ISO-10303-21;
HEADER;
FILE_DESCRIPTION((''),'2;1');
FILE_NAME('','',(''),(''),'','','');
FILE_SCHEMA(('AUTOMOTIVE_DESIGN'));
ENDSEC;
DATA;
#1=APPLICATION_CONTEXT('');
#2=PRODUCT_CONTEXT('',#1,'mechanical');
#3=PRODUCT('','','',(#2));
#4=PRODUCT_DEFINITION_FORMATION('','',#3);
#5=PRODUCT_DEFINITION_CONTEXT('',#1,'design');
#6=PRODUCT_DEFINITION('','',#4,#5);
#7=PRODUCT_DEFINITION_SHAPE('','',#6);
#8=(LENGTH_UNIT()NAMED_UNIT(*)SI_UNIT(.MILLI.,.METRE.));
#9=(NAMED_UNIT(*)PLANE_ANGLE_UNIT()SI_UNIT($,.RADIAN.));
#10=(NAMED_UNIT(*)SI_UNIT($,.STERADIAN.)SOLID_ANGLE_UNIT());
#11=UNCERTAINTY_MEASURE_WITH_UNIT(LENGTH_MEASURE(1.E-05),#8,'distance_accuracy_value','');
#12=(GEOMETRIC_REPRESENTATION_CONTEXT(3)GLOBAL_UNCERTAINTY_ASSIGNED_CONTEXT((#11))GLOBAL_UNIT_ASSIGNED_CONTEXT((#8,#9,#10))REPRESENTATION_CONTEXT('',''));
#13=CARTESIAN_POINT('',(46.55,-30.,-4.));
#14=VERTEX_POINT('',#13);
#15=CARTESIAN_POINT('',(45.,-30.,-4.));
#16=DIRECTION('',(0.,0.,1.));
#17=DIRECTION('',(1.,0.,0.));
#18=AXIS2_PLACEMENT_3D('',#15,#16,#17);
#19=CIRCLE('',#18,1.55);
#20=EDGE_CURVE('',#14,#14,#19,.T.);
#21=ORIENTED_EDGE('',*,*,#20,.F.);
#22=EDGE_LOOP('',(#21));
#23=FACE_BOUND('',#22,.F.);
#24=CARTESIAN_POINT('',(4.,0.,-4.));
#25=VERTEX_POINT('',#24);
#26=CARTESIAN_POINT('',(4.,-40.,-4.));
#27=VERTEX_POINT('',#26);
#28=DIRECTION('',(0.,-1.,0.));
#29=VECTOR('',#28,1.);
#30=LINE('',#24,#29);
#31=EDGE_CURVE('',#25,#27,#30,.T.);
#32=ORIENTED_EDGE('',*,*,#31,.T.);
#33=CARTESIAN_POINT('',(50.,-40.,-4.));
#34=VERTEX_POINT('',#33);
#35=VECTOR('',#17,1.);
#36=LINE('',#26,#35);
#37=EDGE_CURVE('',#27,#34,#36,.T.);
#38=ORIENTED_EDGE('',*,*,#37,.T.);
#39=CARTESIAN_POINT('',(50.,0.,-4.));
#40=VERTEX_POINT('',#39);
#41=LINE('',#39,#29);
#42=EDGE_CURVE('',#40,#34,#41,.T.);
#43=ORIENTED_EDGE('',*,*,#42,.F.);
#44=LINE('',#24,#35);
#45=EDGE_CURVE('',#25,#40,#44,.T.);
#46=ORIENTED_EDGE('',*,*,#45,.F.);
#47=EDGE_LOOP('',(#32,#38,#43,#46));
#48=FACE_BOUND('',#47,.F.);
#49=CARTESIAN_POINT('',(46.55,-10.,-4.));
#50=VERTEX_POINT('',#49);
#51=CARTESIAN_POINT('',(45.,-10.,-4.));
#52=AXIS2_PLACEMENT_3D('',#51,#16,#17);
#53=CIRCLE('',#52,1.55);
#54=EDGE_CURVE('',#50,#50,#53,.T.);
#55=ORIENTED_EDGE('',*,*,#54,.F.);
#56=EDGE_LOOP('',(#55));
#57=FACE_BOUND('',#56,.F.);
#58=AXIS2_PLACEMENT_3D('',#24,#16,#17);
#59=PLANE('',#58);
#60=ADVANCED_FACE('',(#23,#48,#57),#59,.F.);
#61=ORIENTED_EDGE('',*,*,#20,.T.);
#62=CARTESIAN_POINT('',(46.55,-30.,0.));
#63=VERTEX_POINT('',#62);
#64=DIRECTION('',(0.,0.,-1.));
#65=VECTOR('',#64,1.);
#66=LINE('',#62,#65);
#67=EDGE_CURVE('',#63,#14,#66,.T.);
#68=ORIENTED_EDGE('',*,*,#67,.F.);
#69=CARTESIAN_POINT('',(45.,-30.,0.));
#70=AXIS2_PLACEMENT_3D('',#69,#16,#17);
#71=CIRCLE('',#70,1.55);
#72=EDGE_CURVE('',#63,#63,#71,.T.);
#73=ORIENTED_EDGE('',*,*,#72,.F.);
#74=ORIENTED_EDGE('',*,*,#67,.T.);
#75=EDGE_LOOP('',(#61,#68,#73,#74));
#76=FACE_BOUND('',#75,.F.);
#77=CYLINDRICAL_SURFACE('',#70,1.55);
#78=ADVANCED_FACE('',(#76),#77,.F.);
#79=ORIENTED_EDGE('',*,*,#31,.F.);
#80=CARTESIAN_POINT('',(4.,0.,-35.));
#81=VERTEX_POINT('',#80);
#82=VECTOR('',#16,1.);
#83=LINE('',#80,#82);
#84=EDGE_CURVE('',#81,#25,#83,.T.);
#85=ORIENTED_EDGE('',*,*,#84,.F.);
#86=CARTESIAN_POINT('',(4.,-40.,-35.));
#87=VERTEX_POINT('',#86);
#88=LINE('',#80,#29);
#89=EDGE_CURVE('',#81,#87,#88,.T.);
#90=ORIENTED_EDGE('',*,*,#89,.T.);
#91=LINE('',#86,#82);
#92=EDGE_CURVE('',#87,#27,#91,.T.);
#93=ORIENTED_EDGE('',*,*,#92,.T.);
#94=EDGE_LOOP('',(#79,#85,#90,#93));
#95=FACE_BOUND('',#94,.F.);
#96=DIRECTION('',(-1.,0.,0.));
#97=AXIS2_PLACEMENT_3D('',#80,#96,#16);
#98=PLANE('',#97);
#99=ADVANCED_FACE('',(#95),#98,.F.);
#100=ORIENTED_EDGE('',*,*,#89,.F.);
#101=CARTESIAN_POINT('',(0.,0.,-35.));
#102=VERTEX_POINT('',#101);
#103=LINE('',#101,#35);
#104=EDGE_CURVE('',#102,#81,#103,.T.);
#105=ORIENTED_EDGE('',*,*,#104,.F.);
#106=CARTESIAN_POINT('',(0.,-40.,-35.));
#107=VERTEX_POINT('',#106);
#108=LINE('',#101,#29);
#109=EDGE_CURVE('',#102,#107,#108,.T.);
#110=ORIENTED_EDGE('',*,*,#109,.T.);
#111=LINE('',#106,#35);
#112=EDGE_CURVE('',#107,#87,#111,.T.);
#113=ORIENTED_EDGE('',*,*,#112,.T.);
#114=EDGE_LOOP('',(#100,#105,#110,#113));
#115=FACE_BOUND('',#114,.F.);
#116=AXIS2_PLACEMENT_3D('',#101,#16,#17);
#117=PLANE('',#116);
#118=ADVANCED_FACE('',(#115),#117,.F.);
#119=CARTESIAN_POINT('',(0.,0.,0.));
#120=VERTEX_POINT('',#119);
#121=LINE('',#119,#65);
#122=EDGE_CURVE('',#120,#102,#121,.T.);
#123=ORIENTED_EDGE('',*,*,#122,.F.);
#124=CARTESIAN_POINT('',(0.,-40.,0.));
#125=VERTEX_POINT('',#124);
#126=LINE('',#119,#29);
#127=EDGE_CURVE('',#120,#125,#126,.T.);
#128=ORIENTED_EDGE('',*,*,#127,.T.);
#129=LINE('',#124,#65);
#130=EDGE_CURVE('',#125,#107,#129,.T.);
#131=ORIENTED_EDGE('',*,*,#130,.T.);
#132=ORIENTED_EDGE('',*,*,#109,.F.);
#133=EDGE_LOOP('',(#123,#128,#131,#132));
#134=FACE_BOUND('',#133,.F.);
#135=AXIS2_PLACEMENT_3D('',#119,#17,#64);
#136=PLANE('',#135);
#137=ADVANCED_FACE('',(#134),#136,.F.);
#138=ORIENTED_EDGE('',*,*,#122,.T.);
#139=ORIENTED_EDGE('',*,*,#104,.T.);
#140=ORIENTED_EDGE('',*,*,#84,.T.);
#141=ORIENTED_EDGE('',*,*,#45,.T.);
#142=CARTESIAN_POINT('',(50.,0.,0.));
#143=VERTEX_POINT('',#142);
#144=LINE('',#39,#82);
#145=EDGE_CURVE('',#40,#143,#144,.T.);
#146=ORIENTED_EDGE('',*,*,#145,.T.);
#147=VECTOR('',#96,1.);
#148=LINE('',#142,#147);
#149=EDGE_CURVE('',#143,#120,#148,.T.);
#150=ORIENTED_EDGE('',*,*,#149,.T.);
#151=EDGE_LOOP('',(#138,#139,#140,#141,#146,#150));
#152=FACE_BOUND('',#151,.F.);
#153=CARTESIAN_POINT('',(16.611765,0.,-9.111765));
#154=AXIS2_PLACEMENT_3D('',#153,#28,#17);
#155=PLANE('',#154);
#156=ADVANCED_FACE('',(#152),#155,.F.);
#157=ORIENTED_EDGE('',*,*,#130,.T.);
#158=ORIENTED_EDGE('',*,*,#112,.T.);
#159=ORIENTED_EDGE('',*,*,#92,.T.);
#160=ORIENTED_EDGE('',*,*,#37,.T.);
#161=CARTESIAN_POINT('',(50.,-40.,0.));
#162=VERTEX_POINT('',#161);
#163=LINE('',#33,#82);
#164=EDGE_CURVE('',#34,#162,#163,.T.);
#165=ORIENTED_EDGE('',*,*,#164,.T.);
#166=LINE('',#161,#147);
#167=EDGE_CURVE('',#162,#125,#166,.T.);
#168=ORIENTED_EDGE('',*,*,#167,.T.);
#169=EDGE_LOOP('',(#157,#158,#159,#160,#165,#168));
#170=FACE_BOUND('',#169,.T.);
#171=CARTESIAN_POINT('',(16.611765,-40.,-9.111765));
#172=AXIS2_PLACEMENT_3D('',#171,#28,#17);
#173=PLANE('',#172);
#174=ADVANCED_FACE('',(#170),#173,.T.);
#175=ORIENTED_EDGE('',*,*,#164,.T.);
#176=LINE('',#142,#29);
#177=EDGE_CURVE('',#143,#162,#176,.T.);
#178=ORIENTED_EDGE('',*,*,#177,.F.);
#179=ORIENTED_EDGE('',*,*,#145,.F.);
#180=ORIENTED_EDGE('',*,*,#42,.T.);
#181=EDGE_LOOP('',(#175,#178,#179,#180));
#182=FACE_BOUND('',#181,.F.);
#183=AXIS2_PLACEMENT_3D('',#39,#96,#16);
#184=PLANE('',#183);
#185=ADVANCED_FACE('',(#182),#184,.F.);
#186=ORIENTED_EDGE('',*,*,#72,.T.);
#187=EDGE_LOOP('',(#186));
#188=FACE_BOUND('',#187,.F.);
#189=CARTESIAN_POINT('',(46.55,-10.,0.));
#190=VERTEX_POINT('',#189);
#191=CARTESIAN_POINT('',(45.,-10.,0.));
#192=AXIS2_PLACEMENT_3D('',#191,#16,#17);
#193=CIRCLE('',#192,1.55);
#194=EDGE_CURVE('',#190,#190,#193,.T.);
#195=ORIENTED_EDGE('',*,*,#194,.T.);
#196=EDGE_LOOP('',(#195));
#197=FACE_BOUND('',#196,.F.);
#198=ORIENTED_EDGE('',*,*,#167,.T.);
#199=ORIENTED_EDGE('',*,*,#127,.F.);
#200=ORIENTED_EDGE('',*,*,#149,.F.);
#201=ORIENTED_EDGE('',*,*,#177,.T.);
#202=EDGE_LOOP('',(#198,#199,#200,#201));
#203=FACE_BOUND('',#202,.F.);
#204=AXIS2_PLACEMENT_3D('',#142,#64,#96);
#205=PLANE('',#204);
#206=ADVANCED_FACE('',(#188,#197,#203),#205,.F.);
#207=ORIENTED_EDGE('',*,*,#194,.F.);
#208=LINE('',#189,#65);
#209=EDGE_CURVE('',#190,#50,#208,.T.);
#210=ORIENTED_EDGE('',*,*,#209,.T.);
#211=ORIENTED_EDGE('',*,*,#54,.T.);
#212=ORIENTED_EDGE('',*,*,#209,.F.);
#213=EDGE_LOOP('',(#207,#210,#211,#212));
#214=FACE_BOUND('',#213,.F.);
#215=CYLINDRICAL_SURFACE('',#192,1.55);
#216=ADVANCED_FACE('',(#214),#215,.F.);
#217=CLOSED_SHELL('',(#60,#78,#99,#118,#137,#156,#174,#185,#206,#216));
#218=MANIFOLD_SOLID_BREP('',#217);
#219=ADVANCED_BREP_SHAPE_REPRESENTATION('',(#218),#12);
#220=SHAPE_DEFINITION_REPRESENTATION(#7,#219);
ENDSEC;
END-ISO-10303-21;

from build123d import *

# Parameters (mm, degrees)
F1_DEPTH = 40
F2_R     = 1.55
F3_DEPTH = 4


with BuildPart() as f1:
    # F0 (on Front) → F1 (new body)
    with BuildSketch(Plane.XZ):
        Polygon((50, 0), (0, 0), (0, -35), (4, -35), (4, -4), (50, -4), align=None)
    extrude(amount=F1_DEPTH)

    # F2 (on face) → F3 (cut, through all)
    with BuildSketch(Plane.XY):
        with Locations((45, -10)):
            Circle(F2_R)
        with Locations((45, -30)):
            Circle(F2_R)
    extrude(amount=-F3_DEPTH, mode=Mode.SUBTRACT)


solid = f1.part
